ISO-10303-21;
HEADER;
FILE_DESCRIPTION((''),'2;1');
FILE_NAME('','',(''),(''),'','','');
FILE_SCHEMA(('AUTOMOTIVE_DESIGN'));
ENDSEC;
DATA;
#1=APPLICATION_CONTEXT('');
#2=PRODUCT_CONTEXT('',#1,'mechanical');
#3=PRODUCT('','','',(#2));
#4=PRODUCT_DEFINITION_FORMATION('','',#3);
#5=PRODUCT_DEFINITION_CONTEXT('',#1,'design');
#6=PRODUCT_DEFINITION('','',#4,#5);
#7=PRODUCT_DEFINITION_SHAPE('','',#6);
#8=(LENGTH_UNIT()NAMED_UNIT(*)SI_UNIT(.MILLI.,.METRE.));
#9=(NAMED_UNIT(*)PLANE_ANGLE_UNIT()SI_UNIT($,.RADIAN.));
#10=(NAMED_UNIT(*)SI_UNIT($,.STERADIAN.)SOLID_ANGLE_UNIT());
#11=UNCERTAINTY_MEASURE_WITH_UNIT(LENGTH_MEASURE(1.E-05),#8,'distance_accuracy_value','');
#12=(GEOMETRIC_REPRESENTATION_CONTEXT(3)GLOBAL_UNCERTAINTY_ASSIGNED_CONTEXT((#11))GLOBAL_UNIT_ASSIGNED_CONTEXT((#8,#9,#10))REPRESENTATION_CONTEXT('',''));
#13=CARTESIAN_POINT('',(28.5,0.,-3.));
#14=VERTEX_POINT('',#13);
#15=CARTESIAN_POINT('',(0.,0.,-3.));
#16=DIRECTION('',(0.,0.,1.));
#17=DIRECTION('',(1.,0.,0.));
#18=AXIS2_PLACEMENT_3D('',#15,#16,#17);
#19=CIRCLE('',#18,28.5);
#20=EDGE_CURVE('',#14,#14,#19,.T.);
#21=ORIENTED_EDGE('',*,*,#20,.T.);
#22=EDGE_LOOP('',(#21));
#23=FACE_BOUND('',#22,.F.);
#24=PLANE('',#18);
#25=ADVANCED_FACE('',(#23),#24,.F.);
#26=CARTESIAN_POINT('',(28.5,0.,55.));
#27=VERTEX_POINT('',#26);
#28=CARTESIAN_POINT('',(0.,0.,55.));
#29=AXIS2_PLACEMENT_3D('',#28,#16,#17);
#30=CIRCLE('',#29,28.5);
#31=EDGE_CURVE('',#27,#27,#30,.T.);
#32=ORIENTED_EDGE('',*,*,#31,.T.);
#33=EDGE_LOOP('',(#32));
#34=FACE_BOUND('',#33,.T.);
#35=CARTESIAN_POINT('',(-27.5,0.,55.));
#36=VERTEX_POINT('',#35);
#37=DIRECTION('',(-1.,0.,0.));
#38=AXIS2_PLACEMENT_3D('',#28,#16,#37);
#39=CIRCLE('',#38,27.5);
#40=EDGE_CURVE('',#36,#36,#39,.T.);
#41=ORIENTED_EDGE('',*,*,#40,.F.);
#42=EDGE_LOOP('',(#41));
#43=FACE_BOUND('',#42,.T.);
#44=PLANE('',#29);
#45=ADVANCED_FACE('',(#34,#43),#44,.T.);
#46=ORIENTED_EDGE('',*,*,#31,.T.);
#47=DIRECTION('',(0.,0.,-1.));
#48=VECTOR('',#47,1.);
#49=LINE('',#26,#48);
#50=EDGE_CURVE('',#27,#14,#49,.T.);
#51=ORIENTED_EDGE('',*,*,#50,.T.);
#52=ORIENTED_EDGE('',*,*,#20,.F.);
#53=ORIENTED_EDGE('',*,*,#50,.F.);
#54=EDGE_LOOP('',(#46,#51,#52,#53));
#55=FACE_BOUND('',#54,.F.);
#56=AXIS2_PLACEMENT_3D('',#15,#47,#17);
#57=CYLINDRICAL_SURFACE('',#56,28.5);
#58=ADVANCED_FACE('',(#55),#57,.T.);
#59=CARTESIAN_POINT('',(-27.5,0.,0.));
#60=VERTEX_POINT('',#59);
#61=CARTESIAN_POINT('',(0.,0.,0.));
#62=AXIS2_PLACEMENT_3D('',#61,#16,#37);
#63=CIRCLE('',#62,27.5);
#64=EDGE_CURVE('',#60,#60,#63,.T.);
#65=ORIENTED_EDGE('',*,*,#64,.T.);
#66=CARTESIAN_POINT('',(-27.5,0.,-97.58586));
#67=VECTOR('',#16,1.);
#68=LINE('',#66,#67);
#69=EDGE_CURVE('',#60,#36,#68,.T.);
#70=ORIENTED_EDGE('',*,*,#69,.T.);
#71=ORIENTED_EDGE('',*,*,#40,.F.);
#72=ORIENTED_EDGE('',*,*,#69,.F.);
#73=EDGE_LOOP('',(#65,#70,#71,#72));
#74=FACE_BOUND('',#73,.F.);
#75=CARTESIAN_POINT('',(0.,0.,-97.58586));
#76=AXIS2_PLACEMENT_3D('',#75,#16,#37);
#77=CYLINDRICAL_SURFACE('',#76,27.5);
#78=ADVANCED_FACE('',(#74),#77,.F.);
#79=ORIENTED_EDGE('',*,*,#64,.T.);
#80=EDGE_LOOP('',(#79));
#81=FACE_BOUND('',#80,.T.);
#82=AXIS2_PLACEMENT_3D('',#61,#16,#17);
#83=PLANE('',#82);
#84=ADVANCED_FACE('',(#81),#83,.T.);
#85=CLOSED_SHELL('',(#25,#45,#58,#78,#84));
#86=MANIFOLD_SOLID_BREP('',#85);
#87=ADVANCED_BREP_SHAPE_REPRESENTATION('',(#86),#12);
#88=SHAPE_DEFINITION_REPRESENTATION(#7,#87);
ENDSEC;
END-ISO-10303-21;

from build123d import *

# Parameters (mm, degrees)
F1_R     = 28.5
F2_DEPTH = 55
F3_D     = 55
F5_R     = 28.5
F6_DEPTH = 3


with BuildPart() as f2:
    # F1 (on Top) → F2 (new body)
    with BuildSketch(Plane.XY):
        Circle(F1_R)
    extrude(amount=F2_DEPTH)

    # F3 (through all)
    with Locations(Plane(origin=(0, 0, 0), x_dir=(1, 0, 0), z_dir=(0, 0, -1))):
        with Locations((0, 0)):
            Hole(F3_D / 2)

    # F5 (on offset) → F6 (join)
    with BuildSketch(Plane.XY.offset(-3)):
        Circle(F5_R)
    extrude(amount=F6_DEPTH)


solid = f2.part
